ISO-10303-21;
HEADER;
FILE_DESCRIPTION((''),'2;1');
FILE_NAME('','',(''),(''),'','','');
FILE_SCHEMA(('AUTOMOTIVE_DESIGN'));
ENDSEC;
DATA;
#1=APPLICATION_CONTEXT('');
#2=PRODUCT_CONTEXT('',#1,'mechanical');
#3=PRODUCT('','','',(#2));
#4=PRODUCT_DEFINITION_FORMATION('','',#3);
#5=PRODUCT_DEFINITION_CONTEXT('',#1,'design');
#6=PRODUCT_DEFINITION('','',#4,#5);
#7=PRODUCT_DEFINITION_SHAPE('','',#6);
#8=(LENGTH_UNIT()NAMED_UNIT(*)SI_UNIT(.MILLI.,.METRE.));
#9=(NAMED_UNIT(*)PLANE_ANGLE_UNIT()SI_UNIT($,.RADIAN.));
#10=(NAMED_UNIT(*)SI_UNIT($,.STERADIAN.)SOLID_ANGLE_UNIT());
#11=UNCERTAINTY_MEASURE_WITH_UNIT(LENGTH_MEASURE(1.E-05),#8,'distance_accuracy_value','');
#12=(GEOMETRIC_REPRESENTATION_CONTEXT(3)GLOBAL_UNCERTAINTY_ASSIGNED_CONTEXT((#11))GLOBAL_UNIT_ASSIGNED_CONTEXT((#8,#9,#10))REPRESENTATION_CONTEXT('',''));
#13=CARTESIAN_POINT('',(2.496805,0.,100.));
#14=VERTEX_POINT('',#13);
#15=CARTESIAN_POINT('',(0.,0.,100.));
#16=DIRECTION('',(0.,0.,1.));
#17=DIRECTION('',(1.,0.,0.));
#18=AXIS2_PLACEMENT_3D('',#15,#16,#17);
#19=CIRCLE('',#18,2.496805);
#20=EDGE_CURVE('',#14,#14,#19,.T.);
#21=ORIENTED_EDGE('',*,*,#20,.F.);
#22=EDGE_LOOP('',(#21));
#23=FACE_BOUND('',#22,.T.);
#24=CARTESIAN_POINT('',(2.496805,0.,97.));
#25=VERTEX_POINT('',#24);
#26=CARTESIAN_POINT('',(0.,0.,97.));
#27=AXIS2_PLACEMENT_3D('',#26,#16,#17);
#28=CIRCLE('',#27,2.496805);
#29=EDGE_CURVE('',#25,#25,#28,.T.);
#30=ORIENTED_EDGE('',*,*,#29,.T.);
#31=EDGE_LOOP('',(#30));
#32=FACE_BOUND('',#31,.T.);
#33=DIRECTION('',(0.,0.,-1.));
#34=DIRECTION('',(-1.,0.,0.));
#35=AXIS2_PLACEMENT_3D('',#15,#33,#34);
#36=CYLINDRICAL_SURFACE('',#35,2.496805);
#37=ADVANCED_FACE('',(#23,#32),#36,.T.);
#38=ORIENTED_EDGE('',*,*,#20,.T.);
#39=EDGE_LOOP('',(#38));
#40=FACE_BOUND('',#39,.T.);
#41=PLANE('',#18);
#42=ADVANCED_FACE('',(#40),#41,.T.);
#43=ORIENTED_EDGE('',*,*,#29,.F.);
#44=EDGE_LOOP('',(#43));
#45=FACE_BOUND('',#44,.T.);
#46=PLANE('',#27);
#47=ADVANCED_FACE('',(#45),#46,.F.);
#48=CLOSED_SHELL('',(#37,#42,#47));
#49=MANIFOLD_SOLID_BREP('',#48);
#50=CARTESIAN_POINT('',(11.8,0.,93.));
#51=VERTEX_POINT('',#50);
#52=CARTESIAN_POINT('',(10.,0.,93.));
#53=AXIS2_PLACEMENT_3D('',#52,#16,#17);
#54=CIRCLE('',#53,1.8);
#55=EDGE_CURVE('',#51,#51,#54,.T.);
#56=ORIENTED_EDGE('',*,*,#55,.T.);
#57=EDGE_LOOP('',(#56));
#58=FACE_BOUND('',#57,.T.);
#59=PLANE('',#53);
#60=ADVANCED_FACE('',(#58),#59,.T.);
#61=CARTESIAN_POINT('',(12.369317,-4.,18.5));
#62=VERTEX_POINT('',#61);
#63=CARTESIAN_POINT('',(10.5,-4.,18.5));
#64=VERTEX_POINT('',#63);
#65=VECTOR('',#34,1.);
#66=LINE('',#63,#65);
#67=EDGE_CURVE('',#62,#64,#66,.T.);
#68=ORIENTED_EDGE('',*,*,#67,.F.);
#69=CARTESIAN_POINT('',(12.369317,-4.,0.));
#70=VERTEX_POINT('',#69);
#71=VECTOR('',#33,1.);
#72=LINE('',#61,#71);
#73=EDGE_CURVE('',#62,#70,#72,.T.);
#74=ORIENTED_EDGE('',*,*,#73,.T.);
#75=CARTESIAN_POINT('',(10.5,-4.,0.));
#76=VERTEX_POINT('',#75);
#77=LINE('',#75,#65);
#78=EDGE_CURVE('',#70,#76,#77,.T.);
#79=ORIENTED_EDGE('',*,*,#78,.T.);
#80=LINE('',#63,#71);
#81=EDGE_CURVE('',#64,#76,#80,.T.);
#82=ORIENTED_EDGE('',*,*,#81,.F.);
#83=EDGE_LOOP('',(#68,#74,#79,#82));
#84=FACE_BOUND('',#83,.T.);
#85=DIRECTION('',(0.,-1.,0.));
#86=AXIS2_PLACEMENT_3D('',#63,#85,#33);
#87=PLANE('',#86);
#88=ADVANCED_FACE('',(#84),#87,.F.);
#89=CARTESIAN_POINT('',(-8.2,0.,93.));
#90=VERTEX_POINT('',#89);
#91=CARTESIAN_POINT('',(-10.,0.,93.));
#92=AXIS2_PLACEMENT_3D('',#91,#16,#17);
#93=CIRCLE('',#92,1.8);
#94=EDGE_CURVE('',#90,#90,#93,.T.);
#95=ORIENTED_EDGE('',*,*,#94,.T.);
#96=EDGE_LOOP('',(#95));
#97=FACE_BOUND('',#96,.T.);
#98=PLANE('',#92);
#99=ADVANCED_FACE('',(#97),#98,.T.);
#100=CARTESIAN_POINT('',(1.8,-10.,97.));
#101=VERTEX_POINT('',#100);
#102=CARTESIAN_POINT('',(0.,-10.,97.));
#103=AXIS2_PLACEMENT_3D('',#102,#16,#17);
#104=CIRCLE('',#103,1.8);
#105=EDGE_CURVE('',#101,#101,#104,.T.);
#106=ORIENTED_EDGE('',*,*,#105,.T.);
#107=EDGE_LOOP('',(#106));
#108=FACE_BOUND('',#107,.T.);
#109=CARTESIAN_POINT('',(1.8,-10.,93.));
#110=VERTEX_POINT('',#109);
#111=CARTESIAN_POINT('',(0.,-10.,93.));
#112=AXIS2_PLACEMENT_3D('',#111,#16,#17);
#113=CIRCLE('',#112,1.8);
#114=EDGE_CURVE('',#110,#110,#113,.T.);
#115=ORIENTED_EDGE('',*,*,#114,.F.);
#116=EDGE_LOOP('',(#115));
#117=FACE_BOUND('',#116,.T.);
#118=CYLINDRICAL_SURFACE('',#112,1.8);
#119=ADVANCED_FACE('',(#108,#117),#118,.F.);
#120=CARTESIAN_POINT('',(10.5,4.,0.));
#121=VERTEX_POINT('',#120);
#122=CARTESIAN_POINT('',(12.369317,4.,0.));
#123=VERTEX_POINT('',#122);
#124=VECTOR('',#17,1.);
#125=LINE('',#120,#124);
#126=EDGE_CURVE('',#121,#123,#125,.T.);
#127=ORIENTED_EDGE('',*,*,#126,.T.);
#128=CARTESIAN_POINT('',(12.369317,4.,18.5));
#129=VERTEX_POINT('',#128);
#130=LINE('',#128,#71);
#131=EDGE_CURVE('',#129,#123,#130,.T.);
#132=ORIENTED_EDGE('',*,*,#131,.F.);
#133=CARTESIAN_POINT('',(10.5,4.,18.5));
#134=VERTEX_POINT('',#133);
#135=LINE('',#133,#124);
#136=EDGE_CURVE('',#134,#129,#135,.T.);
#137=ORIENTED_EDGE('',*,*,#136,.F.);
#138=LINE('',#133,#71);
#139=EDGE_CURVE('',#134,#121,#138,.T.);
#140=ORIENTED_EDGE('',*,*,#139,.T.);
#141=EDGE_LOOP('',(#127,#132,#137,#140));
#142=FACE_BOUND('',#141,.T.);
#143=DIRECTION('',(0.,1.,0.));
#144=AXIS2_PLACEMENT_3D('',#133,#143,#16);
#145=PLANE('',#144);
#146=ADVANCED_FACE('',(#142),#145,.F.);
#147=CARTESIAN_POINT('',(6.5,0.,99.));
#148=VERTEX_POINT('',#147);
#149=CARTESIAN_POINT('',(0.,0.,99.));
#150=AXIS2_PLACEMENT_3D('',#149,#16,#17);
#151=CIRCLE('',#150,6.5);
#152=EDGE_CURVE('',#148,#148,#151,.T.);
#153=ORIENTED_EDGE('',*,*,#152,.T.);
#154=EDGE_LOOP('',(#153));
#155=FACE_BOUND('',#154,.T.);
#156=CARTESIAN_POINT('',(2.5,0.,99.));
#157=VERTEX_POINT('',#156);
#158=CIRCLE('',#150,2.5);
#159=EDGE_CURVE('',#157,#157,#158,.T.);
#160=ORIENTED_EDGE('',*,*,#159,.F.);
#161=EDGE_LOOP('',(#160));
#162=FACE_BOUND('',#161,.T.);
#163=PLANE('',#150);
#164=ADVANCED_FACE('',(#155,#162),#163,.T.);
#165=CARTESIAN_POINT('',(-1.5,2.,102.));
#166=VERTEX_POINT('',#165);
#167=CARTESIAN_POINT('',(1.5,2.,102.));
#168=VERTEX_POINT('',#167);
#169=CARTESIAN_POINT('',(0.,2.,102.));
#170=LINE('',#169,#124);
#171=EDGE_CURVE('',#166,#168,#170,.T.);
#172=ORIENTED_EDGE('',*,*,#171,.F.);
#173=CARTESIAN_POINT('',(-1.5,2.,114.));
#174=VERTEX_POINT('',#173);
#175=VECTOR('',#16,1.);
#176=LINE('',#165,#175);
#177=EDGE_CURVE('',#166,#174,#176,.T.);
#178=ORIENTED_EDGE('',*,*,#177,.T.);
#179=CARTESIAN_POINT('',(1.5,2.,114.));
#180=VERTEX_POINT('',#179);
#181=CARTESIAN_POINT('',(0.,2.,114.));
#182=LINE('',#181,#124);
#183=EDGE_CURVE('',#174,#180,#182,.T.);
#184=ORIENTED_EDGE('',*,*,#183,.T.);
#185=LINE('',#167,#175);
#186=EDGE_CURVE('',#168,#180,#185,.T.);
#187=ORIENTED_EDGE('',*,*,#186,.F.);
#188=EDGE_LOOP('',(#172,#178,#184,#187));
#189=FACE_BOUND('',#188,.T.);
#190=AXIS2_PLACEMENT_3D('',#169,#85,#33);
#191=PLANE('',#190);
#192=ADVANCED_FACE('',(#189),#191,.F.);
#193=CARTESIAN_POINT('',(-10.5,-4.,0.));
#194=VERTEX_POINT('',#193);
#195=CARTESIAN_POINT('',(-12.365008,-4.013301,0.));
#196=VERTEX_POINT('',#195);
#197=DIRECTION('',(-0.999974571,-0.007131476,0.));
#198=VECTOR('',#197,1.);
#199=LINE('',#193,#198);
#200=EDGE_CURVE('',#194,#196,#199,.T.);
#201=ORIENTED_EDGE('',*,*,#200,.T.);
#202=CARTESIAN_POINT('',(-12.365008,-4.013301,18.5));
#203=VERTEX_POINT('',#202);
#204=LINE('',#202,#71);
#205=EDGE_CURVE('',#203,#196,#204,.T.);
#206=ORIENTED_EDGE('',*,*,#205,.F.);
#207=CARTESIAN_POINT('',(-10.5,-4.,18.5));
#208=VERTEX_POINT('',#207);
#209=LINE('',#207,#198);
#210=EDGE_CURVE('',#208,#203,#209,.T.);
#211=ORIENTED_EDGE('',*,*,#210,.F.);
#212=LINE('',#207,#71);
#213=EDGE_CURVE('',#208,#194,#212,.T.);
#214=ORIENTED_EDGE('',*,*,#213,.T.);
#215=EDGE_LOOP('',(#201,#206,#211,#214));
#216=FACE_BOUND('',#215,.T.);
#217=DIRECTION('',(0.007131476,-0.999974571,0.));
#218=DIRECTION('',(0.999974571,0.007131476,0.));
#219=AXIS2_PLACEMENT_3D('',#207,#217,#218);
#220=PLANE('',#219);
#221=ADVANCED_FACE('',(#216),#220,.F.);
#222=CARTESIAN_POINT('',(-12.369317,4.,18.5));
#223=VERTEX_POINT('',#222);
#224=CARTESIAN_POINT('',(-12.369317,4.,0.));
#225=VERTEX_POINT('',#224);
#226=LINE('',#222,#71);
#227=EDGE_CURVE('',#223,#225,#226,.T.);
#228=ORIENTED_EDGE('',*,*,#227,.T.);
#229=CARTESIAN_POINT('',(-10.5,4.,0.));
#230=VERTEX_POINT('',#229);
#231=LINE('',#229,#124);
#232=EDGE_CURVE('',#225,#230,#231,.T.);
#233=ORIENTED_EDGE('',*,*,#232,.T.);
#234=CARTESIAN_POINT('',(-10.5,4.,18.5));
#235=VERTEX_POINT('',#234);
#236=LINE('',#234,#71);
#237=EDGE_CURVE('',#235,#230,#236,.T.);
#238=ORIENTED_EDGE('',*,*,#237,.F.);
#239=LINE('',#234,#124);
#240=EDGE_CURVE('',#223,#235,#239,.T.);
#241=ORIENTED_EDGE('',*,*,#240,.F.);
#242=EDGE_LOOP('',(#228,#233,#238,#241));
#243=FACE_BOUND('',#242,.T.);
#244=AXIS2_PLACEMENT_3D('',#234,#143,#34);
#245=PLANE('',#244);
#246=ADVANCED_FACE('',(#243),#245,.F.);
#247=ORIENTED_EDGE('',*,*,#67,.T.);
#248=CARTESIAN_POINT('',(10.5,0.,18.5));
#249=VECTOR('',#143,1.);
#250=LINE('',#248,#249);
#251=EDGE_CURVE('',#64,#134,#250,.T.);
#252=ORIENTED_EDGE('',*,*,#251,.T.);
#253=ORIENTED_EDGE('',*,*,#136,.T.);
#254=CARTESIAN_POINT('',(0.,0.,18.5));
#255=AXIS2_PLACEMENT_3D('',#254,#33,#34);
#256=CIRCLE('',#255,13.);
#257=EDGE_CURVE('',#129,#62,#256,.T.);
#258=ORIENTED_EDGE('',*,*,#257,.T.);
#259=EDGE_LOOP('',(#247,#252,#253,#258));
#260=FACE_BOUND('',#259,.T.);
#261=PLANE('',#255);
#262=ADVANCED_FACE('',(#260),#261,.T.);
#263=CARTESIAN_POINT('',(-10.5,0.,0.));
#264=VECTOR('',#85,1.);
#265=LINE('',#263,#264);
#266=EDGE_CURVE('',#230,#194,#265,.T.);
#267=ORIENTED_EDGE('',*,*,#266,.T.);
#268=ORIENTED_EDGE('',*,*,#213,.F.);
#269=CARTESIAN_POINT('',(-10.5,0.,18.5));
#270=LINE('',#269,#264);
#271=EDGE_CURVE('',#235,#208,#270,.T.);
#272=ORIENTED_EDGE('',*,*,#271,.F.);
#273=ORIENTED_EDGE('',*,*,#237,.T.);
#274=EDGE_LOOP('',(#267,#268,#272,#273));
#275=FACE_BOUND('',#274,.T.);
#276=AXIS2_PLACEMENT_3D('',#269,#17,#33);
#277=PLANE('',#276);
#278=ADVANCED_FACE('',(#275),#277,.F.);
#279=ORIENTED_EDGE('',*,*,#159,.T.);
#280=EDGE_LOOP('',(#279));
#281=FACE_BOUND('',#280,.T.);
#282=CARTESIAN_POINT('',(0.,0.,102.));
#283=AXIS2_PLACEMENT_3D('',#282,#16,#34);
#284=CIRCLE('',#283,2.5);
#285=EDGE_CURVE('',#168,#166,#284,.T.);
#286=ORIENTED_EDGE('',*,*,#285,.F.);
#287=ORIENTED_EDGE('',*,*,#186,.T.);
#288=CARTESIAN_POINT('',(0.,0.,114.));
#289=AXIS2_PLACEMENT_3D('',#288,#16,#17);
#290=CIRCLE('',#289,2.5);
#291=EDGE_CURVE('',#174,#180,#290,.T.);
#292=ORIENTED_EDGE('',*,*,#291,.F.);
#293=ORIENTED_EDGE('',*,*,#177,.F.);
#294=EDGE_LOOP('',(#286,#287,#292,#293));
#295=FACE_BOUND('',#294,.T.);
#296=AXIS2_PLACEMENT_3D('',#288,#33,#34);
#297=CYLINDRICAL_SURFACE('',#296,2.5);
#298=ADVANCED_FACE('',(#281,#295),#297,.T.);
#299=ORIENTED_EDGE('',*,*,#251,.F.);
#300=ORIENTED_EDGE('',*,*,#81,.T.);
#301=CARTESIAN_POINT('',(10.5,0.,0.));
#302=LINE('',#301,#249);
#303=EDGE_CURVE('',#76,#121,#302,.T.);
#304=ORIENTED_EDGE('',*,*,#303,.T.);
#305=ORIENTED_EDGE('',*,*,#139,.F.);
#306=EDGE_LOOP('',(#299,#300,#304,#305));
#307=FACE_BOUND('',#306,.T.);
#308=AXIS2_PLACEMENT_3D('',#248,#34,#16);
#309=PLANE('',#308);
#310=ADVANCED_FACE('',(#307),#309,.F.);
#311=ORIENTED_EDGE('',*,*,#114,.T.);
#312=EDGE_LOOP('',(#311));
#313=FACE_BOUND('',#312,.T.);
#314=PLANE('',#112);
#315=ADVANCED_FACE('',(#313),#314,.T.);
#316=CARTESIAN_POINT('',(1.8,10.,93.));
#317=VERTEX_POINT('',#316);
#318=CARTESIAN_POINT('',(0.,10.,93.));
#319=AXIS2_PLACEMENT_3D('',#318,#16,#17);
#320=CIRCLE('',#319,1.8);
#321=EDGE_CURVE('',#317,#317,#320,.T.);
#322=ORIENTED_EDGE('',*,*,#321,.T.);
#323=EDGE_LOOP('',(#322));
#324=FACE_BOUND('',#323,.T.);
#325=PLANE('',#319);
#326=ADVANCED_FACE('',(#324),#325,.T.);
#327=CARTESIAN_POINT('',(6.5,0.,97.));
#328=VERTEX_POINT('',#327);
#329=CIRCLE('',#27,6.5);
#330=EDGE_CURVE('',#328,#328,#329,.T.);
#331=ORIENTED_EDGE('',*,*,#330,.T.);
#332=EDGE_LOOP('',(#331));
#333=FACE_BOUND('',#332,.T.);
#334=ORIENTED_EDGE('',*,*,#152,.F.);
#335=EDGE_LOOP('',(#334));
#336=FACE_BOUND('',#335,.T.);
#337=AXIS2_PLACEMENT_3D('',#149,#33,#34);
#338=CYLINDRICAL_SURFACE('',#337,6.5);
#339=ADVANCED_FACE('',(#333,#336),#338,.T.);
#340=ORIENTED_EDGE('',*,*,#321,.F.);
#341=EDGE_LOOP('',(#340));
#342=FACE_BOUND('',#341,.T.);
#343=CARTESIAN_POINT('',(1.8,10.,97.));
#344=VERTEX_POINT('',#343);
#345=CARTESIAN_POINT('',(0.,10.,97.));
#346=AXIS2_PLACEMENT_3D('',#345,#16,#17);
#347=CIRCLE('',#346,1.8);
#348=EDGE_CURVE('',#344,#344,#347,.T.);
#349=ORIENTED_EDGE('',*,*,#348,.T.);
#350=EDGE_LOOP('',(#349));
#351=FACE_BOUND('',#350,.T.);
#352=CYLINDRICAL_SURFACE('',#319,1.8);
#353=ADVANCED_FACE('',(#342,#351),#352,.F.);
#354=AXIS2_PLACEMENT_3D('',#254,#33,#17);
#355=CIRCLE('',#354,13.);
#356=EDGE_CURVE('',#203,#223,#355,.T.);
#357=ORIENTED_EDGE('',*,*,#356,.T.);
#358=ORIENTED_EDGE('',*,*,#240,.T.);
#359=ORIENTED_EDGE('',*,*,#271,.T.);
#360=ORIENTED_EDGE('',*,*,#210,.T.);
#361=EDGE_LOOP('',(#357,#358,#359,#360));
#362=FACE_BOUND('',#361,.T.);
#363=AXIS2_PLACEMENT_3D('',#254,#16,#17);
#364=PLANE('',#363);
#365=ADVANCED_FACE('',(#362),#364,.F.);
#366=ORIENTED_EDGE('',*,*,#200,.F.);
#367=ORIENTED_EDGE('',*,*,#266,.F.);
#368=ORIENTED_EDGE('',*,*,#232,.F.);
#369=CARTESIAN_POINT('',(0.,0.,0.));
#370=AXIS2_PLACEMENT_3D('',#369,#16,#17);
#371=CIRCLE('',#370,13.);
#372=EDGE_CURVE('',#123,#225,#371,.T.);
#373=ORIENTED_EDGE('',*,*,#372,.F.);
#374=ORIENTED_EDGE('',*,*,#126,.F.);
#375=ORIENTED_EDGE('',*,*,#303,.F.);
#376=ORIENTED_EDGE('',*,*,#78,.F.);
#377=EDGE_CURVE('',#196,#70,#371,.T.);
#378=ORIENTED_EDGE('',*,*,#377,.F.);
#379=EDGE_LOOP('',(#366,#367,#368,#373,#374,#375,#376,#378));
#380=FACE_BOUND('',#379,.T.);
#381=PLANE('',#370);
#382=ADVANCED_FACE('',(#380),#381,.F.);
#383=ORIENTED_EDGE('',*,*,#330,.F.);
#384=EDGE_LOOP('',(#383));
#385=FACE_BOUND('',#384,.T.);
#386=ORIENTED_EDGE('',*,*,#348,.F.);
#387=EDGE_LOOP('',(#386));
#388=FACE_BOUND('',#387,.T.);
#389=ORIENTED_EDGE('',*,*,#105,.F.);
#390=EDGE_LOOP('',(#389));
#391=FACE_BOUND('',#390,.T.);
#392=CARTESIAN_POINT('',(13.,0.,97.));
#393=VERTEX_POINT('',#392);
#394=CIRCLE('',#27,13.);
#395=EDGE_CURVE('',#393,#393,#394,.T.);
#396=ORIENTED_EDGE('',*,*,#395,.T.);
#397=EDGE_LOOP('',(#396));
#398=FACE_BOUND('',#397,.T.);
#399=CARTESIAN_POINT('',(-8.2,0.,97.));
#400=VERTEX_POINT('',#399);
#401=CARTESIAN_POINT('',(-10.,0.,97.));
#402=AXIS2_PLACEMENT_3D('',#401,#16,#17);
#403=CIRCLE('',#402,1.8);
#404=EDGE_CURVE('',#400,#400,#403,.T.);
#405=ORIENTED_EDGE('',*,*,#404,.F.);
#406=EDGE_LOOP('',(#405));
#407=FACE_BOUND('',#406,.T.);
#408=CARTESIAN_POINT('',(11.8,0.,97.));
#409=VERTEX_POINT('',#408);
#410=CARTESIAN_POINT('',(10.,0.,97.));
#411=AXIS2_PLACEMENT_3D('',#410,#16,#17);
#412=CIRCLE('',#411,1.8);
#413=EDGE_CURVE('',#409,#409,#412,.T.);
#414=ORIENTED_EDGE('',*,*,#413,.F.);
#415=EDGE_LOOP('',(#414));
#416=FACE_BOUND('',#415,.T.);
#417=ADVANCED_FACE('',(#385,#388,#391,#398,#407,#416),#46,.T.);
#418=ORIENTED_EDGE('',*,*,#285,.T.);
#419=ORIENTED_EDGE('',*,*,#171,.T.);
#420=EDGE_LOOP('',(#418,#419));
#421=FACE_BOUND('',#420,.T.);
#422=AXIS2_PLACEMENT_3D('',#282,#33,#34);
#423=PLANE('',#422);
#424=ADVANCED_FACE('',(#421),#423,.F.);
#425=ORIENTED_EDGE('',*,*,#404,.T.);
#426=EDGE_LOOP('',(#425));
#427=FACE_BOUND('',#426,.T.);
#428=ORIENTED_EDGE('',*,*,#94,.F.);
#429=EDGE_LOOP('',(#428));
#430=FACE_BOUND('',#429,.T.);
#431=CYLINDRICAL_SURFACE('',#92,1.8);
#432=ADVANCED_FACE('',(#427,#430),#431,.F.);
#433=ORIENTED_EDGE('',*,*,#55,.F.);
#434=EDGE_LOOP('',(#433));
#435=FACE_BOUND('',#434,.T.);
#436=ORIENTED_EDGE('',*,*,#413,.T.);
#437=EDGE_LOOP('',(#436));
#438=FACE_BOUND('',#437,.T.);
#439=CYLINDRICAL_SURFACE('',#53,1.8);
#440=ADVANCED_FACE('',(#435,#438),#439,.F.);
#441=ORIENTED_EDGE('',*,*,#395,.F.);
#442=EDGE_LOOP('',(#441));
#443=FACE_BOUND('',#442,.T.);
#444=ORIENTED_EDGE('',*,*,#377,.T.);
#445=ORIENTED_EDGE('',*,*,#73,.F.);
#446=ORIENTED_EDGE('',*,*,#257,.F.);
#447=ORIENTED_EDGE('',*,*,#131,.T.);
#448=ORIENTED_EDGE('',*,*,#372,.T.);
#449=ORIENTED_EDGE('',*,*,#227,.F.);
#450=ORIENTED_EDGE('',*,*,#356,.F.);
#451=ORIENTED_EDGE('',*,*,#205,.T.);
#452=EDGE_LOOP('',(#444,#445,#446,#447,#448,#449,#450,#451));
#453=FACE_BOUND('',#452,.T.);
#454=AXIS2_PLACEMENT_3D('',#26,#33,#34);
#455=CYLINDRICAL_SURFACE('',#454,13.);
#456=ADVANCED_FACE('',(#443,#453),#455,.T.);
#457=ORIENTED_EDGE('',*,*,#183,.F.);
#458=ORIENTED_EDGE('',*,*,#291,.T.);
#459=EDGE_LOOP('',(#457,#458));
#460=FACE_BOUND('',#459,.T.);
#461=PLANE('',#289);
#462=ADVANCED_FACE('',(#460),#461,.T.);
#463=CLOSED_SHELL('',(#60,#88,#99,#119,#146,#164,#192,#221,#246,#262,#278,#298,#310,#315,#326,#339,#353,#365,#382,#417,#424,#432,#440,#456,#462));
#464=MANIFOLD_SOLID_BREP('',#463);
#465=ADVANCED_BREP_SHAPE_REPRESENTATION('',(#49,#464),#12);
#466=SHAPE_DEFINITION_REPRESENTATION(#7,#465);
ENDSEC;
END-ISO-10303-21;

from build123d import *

# Parameters (mm, degrees)
ESQUISSE1_R             = 13
BOSS_EXTRU_1_DEPTH      = 97
ESQUISSE2_R             = 2.5
BOSS_EXTRU_2_DEPTH      = 17
ENL_V_MAT_EXTRU_1_DEPTH = 18.5
ESQUISSE4_R             = 6.5
ESQUISSE4_R_2           = 2.5
BOSS_EXTRU_3_DEPTH      = 2
ESQUISSE5_R             = 1.8
ENL_V_MAT_EXTRU_2_DEPTH = 4
ENL_V_START             = -12
ENL_V_MAT_EXTRU_3_DEPTH = 12
ESQUISSE7_R             = 2.496805343
BOSS_EXTRU_4_DEPTH      = 3


with BuildPart() as part:
    # Esquisse1 → Boss.-Extru.1 (new body)
    with BuildSketch(Plane.XY):
        with Locations(Location((0, 0, 0), (0, 0, 180))):
            Circle(ESQUISSE1_R)
    extrude(amount=BOSS_EXTRU_1_DEPTH)

    # Esquisse2 → Boss.-Extru.2 (add)
    with BuildSketch(Plane.XY.offset(97)):
        Circle(ESQUISSE2_R)
    extrude(amount=BOSS_EXTRU_2_DEPTH)

    # Esquisse3 → Enlèv. mat.-Extru.1 (cut)
    with BuildSketch(Plane(origin=(0, 0, 0), x_dir=(-1, 0, 0), z_dir=(0, 0, -1))):
        with BuildLine():
            Line((-10.5, 0), (-10.5, 4))
            Line((-10.5, 4), (-12.369316877, 4))
            ThreePointArc((-12.369316877, 4), (-13, 0), (-12.369316877, -4))
            Line((-12.369316877, -4), (-10.5, -4))
            Line((-10.5, -4), (-10.5, 0))
        make_face()
        with BuildLine():
            Line((10.5, 0), (10.5, 4))
            Line((10.5, 4), (12.369316877, 4))
            ThreePointArc((12.369316877, 4), (12.99999812, -0.006990598), (12.365007817, -4.013300596))
            Line((12.365007817, -4.013300596), (10.5, -4))
            Line((10.5, -4), (10.5, 0))
        make_face()
    extrude(amount=-ENL_V_MAT_EXTRU_1_DEPTH, mode=Mode.SUBTRACT)

    # Esquisse4 → Boss.-Extru.3 (add)
    with BuildSketch(Plane.XY.offset(97)):
        Circle(ESQUISSE4_R)
        Circle(ESQUISSE4_R_2, mode=Mode.SUBTRACT)
    extrude(amount=BOSS_EXTRU_3_DEPTH)

    # Esquisse5 → Enlèv. mat.-Extru.2 (cut)
    with BuildSketch(Plane.XY.offset(97)):
        with Locations((0, 10)):
            Circle(ESQUISSE5_R)
        with Locations((-10, 0)):
            Circle(ESQUISSE5_R)
        with Locations((0, -10)):
            Circle(ESQUISSE5_R)
        with Locations((10, 0)):
            Circle(ESQUISSE5_R)
    extrude(amount=-ENL_V_MAT_EXTRU_2_DEPTH, mode=Mode.SUBTRACT)

    # Esquisse6 → Enlèv. mat.-Extru.3 (cut)
    with BuildSketch(Plane.XY.offset(114).offset(ENL_V_START)):
        with BuildLine():
            Line((0, 2), (1.5, 2))
            ThreePointArc((1.5, 2), (0, 2.5), (-1.5, 2))
            Line((-1.5, 2), (0, 2))
        make_face()
    extrude(amount=ENL_V_MAT_EXTRU_3_DEPTH, mode=Mode.SUBTRACT)


with BuildPart() as body_2:
    # Esquisse7 → Boss.-Extru.4 (new body)
    with BuildSketch(Plane.XY.offset(97)):
        Circle(ESQUISSE7_R)
    extrude(amount=BOSS_EXTRU_4_DEPTH)


solid = Compound([part.part, body_2.part])
